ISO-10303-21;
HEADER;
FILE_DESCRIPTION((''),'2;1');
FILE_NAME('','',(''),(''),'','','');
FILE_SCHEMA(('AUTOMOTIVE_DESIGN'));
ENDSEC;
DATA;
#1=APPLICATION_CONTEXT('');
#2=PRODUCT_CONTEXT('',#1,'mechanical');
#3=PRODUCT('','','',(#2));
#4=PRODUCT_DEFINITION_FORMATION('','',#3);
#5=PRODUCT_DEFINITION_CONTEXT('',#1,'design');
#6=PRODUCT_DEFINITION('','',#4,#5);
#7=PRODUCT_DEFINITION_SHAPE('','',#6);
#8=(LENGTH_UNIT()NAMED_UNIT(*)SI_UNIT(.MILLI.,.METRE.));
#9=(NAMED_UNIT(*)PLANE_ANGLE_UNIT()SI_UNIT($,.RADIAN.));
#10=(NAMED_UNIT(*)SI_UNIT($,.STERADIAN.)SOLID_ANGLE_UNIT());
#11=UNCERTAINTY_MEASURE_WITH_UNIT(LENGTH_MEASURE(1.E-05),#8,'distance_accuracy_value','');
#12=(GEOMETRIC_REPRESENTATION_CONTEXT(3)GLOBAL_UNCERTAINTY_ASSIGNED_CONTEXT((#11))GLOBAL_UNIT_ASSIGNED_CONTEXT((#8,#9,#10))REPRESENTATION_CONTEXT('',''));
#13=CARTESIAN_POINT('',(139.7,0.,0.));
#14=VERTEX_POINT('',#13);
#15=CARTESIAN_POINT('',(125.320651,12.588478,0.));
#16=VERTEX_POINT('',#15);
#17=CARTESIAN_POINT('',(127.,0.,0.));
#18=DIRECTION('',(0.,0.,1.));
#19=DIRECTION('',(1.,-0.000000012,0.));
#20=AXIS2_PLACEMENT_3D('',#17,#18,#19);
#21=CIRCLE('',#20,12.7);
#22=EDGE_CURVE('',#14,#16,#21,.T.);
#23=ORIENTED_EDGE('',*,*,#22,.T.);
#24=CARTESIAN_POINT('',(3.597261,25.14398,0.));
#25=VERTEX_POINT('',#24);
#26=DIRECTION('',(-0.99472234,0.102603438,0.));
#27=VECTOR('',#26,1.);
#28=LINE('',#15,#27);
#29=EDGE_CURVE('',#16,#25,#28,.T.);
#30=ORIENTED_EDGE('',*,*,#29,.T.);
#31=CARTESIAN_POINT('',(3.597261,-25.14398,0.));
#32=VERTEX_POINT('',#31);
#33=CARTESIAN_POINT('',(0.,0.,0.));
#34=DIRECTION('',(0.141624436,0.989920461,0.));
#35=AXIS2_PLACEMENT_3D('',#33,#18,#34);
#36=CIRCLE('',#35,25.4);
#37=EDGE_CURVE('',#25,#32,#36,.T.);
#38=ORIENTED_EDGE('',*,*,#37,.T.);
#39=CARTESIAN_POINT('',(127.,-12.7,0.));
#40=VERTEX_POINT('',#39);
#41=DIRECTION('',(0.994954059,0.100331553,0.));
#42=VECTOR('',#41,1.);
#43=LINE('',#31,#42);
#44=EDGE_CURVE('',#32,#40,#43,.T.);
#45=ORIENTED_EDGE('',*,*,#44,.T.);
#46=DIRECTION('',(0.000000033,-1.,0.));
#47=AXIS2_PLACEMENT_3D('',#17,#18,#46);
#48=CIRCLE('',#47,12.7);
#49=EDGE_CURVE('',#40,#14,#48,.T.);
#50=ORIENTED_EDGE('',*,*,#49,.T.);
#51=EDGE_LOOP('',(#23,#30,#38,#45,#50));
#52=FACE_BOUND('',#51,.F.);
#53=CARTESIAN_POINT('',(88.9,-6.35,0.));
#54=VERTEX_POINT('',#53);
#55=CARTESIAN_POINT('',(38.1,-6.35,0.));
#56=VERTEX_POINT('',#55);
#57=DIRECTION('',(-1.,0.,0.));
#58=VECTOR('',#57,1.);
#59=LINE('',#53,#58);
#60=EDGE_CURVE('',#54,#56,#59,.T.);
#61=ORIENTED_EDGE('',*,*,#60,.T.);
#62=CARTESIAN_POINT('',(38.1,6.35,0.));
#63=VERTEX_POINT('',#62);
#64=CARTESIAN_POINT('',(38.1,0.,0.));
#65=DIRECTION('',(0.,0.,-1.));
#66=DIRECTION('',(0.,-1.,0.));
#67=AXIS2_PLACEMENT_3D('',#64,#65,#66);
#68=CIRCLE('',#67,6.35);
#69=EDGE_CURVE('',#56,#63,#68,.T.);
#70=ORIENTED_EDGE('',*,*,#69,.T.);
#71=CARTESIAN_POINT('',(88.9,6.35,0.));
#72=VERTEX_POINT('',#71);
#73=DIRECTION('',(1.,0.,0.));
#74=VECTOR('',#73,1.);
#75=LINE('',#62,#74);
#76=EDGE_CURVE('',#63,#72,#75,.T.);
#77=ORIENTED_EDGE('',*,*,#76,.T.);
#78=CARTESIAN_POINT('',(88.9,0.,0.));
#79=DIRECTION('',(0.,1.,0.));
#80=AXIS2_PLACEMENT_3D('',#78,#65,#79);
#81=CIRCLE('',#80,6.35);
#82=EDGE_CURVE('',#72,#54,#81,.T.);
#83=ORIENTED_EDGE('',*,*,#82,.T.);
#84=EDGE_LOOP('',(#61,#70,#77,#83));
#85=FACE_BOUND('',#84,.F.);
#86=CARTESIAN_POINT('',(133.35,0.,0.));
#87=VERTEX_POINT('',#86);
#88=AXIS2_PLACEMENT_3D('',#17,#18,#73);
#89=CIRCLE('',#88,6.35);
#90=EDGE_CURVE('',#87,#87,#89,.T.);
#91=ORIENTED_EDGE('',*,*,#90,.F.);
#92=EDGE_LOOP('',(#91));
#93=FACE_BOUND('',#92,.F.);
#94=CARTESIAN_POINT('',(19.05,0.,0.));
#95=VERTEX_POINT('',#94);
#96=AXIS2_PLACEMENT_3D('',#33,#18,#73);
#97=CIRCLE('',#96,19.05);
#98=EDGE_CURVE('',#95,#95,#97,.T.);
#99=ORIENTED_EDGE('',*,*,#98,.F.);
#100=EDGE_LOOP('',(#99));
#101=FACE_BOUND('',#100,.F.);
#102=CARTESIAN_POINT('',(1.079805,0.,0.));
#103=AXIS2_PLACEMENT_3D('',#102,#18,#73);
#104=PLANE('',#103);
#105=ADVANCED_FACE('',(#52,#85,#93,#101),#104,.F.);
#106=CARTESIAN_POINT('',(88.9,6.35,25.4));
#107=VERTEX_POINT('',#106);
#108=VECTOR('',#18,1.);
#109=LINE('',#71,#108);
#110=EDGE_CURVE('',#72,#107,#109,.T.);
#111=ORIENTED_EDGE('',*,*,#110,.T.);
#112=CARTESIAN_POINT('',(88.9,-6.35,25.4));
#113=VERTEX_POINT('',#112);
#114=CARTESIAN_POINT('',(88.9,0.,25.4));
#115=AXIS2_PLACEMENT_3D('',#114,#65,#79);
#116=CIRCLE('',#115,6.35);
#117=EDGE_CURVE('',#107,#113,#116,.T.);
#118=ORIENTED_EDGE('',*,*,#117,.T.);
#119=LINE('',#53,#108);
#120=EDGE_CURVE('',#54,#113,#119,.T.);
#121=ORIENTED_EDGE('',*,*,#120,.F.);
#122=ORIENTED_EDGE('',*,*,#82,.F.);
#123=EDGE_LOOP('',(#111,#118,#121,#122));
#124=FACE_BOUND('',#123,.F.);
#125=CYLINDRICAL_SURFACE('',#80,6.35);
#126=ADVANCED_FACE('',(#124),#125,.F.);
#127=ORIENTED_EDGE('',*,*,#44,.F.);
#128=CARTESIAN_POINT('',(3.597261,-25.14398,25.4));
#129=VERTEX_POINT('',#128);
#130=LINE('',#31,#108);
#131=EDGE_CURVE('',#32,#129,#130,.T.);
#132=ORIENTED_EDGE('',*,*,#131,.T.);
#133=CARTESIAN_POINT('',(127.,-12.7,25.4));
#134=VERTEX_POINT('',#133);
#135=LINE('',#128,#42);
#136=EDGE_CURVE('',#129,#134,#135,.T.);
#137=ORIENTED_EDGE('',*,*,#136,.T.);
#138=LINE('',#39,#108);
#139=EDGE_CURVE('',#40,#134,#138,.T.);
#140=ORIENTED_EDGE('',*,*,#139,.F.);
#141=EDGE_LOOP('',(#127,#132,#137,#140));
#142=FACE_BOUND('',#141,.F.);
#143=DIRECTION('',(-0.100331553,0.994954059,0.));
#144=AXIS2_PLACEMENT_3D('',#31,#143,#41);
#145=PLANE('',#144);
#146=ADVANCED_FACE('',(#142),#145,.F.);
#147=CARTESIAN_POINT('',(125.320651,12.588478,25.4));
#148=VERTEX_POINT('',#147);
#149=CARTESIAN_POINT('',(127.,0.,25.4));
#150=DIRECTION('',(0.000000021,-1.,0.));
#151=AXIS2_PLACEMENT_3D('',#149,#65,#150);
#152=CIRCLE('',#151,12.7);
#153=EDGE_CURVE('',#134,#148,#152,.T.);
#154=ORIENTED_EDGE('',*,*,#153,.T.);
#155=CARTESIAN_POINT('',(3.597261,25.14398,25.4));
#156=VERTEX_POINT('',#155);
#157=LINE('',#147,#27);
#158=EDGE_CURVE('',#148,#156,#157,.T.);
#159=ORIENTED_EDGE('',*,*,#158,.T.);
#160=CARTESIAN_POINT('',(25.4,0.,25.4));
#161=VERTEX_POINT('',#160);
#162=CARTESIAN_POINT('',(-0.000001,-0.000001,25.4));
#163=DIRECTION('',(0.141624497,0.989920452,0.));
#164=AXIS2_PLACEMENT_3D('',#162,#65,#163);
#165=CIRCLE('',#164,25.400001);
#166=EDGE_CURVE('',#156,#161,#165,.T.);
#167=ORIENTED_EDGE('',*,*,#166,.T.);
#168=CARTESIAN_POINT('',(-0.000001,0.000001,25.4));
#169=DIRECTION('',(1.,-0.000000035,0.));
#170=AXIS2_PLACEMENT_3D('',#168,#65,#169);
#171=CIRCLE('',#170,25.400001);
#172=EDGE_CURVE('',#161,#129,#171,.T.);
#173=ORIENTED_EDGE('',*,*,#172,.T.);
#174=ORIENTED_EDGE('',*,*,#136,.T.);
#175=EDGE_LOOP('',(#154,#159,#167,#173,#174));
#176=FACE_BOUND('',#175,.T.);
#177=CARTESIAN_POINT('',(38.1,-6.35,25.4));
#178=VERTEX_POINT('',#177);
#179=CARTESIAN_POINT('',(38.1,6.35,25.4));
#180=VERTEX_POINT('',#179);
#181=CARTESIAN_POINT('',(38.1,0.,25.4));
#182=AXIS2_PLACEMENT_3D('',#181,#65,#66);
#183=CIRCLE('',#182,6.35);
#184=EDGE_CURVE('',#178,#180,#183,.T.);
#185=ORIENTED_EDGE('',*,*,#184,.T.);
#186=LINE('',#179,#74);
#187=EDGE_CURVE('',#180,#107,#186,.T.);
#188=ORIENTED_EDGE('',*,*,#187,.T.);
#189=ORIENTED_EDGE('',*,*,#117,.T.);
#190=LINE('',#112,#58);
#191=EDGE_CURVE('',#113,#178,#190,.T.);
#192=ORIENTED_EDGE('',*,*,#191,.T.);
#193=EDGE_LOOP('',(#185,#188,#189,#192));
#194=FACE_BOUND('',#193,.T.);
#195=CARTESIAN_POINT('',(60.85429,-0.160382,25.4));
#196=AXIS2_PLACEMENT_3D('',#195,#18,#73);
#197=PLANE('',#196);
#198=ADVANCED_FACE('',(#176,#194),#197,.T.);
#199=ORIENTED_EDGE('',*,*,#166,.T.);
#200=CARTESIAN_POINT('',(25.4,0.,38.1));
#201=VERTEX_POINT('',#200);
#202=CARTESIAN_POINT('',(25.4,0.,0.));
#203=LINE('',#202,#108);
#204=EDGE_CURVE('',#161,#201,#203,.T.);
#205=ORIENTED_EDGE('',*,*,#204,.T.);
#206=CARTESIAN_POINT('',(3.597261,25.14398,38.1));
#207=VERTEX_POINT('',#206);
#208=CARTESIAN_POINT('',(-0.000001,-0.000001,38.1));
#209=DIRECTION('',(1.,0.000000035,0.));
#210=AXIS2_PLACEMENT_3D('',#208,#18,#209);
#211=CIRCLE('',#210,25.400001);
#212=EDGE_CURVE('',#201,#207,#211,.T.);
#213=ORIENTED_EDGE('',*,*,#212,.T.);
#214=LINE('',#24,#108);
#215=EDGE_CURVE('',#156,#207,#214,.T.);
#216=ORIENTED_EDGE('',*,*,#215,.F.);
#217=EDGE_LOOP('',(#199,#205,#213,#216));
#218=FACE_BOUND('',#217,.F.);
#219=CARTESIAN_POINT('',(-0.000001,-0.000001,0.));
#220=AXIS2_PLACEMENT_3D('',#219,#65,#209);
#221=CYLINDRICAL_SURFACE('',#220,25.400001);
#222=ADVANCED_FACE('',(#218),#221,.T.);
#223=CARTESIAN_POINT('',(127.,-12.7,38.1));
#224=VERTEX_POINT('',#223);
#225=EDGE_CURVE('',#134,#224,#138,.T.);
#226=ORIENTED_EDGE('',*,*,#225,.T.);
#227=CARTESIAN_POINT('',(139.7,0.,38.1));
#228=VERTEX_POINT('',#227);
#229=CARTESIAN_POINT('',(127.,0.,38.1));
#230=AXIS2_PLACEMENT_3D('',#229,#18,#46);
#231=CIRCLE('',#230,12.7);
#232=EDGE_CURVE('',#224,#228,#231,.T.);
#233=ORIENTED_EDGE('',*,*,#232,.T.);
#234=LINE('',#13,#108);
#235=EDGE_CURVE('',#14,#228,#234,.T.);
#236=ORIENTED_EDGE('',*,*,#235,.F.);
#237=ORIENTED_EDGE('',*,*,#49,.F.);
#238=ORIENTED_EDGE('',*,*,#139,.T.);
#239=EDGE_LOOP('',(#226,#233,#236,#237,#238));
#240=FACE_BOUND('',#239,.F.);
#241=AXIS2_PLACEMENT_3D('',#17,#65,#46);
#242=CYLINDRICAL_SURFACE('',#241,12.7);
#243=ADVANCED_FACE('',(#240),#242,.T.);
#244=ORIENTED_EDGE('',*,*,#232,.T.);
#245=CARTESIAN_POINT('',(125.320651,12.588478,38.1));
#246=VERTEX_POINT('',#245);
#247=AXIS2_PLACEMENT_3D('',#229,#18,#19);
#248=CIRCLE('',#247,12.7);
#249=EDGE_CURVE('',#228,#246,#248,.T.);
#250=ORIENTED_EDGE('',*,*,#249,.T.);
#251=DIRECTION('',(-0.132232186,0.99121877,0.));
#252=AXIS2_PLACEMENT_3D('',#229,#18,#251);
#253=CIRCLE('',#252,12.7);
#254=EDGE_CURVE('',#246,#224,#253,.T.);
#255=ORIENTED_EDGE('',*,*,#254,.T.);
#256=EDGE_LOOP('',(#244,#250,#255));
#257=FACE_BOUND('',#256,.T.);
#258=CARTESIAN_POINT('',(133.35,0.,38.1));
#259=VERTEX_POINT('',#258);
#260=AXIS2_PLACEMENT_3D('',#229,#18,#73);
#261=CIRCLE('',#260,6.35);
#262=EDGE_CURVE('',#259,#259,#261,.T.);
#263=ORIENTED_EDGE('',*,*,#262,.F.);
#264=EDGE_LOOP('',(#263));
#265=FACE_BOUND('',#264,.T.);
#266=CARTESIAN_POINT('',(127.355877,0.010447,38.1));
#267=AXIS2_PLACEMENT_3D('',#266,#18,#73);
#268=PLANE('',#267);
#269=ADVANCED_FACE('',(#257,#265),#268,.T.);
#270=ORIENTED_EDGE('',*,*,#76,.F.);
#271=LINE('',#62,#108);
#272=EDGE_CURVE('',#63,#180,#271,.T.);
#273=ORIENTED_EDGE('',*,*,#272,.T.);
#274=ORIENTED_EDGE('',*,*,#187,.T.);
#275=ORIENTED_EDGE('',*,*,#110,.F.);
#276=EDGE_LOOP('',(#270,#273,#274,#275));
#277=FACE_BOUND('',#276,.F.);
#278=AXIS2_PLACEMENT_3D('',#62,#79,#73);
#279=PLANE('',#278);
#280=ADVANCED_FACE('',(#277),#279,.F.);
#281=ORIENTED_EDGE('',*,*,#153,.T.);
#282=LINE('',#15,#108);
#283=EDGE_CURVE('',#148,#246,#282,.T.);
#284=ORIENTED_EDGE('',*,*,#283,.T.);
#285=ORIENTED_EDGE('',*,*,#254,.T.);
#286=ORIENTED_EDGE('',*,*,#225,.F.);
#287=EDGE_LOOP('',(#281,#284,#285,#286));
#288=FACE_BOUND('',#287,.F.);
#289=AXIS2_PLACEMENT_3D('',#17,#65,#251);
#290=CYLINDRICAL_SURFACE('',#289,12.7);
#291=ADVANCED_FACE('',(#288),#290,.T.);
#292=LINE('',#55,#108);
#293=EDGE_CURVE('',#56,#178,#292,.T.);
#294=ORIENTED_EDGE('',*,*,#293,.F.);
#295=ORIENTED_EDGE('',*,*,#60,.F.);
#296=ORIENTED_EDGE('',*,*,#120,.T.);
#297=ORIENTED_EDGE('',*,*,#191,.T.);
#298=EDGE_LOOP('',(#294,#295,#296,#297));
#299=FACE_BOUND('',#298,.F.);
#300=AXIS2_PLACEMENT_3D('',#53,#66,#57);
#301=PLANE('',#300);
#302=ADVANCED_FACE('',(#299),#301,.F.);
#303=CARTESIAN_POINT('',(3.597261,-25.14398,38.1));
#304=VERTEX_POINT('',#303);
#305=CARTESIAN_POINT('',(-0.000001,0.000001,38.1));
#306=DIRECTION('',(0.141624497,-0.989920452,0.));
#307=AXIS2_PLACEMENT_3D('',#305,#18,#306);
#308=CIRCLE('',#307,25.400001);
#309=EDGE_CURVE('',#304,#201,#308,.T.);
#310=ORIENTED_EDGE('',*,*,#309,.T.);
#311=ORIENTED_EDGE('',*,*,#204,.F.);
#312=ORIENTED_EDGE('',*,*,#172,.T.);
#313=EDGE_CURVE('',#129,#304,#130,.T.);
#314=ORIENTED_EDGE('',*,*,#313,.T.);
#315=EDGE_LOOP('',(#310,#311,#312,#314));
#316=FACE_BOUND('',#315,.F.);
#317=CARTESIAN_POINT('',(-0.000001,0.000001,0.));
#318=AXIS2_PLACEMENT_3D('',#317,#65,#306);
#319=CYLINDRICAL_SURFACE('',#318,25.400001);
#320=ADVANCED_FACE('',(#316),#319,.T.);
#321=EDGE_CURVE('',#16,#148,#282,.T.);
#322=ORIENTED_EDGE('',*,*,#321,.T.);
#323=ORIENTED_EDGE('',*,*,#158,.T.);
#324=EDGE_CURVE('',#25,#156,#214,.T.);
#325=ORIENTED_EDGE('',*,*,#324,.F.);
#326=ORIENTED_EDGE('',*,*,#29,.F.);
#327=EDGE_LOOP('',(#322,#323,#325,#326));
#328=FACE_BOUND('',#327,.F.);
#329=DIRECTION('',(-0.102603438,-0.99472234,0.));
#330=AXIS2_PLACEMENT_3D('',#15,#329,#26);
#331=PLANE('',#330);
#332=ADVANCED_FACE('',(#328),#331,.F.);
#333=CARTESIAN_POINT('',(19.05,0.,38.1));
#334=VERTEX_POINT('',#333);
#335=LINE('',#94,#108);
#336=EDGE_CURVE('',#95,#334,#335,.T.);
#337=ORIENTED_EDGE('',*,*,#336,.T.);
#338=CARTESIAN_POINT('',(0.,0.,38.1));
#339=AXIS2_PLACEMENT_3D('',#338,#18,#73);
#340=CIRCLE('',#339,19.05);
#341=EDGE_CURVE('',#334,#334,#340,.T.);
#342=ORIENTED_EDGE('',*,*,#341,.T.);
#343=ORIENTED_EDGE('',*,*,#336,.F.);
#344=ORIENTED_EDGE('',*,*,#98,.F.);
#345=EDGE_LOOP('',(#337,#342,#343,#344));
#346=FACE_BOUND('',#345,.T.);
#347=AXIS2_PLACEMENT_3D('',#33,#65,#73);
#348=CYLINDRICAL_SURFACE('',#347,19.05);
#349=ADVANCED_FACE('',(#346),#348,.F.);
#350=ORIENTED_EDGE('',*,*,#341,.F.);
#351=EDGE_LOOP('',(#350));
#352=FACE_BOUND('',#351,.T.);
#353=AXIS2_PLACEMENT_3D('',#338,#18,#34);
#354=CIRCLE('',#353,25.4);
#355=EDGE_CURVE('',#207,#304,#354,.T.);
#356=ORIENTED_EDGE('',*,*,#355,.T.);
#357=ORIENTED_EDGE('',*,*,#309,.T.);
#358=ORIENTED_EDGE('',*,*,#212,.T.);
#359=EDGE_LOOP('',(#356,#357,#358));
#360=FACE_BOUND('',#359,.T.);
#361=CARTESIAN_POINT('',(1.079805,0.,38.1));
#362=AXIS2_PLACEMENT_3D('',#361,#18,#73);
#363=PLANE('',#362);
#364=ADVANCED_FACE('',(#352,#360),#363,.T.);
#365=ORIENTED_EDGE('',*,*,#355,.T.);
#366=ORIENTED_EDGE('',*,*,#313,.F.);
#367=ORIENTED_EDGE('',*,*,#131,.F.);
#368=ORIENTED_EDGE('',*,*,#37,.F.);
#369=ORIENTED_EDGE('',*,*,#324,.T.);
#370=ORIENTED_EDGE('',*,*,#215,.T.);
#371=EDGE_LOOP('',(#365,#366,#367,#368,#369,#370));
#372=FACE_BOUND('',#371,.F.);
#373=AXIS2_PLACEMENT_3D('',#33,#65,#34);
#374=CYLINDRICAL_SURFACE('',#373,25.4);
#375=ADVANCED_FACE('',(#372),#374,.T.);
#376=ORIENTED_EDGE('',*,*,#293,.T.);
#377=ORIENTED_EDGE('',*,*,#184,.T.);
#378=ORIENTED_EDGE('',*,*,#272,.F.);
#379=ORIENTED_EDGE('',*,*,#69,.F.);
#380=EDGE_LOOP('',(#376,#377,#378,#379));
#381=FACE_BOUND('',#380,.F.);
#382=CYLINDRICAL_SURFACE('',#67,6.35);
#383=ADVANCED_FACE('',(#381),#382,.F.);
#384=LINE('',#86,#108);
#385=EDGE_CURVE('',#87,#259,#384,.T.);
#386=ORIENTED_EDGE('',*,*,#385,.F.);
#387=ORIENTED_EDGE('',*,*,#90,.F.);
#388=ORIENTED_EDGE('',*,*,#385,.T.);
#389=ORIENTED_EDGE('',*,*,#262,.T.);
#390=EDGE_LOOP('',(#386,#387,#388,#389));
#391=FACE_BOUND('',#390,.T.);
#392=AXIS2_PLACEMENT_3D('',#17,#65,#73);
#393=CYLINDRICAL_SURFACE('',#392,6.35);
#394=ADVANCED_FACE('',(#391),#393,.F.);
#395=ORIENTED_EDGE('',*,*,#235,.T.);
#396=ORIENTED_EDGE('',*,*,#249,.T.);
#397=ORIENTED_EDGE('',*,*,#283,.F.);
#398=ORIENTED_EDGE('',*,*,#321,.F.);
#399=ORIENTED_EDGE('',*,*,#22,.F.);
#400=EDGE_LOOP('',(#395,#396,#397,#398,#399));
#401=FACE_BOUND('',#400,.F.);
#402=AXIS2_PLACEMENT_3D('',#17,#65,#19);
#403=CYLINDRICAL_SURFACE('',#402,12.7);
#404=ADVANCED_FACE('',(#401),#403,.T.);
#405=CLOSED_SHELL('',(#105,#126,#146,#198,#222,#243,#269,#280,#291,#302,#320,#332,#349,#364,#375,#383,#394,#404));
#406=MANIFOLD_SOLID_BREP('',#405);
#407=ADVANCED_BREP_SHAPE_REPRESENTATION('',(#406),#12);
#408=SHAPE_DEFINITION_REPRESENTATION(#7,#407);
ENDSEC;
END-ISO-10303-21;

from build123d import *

# Parameters (mm, degrees)
F1_DEPTH = 25.4
F0_R     = 19.05
F0_R_2   = 6.35
F2_DEPTH = 38.1


with BuildPart() as f1:
    # F0 (on Top) → F1 (new body)
    with BuildSketch(Plane.XY):
        with BuildLine():
            ThreePointArc((3.597261, 25.14398), (19.190237, 16.640156), (25.4, 0))
            ThreePointArc((25.4, 0), (19.190237, -16.640156), (3.597261, -25.14398))
            Line((3.597261, -25.14398), (127, -12.7))
            ThreePointArc((127, -12.7), (114.327911, -0.841524), (125.320651, 12.588478))
            Line((125.320651, 12.588478), (3.597261, 25.14398))
        make_face()
        with BuildLine():
            ThreePointArc((38.1, -6.35), (31.75, 0), (38.1, 6.35))
            Line((38.1, 6.35), (88.9, 6.35))
            ThreePointArc((88.9, 6.35), (95.25, 0), (88.9, -6.35))
            Line((88.9, -6.35), (38.1, -6.35))
        make_face(mode=Mode.SUBTRACT)
    extrude(amount=F1_DEPTH)

    # F0 (on Top) → F2 (join)
    with BuildSketch(Plane.XY):
        with BuildLine():
            ThreePointArc((3.597261, -25.14398), (19.190237, -16.640156), (25.4, 0))
            ThreePointArc((25.4, 0), (19.190237, 16.640156), (3.597261, 25.14398))
            ThreePointArc((3.597261, 25.14398), (-25.4, 0), (3.597261, -25.14398))
        make_face()
        Circle(F0_R, mode=Mode.SUBTRACT)
        with BuildLine():
            ThreePointArc((139.7, 0), (135.365473, 9.555567), (125.320651, 12.588478))
            ThreePointArc((125.320651, 12.588478), (114.327911, -0.841524), (127, -12.7))
            ThreePointArc((127, -12.7), (135.980256, -8.980256), (139.7, 0))
        make_face()
        with Locations((127, 0)):
            Circle(F0_R_2, mode=Mode.SUBTRACT)
    extrude(amount=F2_DEPTH)


solid = f1.part
